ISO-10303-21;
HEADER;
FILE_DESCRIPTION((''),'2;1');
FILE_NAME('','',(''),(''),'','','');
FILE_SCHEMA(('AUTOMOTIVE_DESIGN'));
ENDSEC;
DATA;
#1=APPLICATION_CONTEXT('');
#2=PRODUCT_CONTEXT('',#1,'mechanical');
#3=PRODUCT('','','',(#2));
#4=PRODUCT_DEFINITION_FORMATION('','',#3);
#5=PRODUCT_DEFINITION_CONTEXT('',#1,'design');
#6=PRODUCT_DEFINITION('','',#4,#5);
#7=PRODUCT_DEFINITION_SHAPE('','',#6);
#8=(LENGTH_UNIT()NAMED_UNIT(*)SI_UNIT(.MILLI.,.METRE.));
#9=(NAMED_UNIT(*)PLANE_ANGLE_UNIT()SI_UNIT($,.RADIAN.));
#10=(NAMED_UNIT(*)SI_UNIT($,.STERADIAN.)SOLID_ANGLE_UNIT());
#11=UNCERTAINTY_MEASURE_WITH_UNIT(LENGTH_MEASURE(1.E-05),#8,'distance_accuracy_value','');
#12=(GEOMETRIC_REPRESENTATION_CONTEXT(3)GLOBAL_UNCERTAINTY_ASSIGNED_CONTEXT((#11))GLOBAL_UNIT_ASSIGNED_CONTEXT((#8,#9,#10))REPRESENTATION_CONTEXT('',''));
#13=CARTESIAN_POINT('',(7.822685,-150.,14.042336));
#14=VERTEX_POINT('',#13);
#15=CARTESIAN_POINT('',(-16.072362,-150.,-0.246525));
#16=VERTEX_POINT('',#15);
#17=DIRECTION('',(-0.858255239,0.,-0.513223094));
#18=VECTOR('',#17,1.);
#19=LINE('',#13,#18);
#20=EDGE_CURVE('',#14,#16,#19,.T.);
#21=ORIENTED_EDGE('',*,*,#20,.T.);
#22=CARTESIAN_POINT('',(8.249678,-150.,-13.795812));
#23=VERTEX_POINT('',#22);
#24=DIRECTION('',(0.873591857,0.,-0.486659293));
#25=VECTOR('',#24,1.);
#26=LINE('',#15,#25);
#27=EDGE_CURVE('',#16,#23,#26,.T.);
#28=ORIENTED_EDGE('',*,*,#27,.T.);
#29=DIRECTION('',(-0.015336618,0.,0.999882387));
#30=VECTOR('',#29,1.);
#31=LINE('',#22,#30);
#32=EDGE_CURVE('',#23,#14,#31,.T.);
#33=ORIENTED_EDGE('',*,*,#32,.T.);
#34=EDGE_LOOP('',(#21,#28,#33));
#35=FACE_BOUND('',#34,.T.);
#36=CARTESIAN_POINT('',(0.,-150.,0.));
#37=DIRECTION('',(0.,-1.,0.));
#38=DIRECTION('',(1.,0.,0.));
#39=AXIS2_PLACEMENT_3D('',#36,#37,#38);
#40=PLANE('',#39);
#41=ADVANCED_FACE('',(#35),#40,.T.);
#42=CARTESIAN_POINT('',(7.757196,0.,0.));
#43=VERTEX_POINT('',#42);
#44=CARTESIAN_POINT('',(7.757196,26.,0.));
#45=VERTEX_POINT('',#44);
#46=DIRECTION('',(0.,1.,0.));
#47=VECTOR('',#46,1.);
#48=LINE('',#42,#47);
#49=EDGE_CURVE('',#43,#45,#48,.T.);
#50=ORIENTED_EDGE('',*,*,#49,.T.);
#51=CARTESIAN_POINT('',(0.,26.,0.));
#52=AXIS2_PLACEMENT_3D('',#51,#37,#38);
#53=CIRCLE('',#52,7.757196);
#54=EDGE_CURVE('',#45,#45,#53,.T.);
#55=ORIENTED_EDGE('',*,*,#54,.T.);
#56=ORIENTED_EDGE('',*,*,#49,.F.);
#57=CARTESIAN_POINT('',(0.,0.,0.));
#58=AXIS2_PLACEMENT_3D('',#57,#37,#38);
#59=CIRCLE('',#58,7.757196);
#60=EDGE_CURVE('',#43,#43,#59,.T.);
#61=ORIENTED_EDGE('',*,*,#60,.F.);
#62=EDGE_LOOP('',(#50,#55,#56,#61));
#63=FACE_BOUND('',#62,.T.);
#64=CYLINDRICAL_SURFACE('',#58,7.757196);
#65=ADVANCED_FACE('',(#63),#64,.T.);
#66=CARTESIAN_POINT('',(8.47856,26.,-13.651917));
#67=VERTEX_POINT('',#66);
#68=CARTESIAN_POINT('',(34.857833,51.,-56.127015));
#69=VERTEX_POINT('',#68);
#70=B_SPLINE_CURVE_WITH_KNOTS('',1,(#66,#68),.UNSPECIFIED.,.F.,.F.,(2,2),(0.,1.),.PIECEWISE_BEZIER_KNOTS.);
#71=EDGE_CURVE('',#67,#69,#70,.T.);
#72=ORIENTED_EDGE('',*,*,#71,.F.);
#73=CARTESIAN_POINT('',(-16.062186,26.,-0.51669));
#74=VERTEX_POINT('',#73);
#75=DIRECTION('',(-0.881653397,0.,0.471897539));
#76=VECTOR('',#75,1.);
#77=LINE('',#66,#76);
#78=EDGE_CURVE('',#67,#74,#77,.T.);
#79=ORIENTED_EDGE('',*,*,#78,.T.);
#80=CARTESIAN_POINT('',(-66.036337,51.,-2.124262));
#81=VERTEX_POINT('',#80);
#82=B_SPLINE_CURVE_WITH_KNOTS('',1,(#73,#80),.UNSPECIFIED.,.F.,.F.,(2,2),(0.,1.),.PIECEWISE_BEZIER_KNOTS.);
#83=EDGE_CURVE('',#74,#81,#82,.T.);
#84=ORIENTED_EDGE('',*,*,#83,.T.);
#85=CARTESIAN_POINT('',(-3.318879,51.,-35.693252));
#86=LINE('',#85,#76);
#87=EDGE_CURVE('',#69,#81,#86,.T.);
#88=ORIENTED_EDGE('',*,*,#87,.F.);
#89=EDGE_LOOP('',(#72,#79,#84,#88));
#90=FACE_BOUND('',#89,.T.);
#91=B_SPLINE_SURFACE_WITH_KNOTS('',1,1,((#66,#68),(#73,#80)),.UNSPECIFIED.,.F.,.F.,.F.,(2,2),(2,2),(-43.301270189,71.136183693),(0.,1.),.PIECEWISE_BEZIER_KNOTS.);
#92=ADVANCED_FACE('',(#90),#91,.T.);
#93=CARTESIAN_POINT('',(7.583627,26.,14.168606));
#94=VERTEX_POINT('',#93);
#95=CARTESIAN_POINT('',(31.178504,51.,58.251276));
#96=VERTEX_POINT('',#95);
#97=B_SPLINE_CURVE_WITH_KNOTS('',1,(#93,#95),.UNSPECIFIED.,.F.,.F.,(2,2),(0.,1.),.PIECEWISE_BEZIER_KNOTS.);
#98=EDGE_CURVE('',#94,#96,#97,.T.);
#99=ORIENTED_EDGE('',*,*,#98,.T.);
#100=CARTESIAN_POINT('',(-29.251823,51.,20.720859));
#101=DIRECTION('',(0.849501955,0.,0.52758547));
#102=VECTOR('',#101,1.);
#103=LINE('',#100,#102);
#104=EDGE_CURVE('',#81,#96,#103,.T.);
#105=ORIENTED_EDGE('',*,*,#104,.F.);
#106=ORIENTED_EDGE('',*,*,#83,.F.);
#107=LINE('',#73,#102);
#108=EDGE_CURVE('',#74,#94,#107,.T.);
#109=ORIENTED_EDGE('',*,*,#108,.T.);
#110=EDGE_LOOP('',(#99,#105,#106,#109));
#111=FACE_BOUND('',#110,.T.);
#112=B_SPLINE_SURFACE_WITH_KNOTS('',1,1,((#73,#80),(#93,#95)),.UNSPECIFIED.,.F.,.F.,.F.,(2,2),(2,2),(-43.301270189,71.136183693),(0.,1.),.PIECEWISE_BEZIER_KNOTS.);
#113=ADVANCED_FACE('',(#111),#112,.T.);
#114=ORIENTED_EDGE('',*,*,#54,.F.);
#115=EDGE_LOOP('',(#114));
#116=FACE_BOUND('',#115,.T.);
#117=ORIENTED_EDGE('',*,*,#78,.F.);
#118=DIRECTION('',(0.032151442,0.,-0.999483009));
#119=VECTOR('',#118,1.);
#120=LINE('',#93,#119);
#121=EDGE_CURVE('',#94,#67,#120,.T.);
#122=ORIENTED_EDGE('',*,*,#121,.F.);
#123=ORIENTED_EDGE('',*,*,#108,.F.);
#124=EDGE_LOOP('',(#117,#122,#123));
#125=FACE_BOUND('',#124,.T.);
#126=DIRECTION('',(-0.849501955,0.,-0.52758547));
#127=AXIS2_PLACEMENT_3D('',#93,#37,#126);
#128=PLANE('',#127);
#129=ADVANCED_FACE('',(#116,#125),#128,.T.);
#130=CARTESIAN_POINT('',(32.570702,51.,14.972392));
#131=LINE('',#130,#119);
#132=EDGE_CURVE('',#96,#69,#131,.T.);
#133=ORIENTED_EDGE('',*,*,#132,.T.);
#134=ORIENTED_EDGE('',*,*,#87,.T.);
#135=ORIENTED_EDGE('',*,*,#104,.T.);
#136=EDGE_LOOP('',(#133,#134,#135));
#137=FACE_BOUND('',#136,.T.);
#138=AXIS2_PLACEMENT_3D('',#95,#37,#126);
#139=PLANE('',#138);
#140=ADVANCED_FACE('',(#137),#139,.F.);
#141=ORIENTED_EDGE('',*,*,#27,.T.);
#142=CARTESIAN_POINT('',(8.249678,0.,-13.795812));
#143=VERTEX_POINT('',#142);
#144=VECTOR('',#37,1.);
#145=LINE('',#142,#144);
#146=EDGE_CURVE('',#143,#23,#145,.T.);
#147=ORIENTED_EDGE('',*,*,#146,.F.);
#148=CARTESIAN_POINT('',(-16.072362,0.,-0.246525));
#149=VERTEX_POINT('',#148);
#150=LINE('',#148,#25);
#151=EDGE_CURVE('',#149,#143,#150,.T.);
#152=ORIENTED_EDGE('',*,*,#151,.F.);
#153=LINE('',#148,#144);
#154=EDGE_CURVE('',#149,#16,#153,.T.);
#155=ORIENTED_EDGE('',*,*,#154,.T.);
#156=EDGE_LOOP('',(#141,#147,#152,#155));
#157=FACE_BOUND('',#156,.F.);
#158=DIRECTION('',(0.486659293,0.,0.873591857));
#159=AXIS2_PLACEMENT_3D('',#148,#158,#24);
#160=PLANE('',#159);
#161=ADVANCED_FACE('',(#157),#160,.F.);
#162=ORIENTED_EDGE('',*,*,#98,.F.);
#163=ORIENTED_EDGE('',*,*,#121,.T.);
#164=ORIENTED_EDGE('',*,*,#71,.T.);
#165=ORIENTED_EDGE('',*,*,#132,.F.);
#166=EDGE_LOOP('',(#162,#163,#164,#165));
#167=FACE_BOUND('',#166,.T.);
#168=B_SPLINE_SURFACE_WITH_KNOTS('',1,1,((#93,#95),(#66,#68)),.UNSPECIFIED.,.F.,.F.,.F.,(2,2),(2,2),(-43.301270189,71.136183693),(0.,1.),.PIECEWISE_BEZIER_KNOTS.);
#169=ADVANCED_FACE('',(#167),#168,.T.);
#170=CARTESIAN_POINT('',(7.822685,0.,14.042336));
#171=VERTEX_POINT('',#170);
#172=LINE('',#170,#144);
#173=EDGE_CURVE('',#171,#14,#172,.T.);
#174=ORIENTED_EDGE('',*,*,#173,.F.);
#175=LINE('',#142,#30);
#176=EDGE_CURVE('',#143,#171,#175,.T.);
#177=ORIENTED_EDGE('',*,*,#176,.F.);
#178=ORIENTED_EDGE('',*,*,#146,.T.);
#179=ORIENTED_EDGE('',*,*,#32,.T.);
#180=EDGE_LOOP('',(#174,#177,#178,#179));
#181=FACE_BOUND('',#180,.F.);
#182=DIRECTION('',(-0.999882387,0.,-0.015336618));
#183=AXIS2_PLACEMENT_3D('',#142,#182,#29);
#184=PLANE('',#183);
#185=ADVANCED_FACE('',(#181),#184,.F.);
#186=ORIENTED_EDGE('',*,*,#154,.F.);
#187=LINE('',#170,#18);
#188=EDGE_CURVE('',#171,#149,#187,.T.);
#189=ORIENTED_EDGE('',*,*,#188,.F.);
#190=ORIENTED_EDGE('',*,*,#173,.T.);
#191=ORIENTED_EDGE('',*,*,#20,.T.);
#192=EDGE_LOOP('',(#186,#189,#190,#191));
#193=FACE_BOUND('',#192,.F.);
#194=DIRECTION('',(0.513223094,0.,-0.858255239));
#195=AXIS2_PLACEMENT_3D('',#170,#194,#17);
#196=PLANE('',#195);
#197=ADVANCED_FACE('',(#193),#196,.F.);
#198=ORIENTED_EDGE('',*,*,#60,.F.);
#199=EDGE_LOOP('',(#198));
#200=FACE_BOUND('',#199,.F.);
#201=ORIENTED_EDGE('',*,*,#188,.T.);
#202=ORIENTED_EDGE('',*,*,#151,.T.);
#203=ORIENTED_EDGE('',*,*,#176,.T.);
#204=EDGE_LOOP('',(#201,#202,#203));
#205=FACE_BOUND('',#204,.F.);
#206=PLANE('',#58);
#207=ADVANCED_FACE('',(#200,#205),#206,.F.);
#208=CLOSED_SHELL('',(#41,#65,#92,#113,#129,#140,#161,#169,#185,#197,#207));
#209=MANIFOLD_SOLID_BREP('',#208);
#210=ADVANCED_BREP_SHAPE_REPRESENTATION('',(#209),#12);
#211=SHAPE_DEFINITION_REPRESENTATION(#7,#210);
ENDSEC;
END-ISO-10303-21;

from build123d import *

# Parameters (mm, degrees)
F1_DEPTH = 150
F2_R     = 7.7571961337
F3_DEPTH = 26
F5_DEPTH = 25
F5_TAPER = -45


with BuildPart() as f1:
    # F0 (on Front) → F1 (new body)
    with BuildSketch(Plane.XZ):
        Polygon((7.8226845391, 14.0423364191), (-16.0723623369, -0.2465246729), (8.2496777979, -13.7958117462), align=None)
    extrude(amount=F1_DEPTH)

    # F2 (on Front) → F3 (join)
    with BuildSketch(Plane.XZ):
        Circle(F2_R)
    extrude(amount=-F3_DEPTH)

    # F4 (on face) → F5 (join)
    with BuildSketch(Plane(origin=(0, 26, 0), x_dir=(-1, 0, 0), z_dir=(0, 1, 0))):
        Polygon((-7.5836269453, 14.1686063395), (-8.4785595536, -13.6519167572), (16.0621864989, -0.5166895823), align=None)
    extrude(amount=F5_DEPTH, taper=F5_TAPER)


solid = f1.part
